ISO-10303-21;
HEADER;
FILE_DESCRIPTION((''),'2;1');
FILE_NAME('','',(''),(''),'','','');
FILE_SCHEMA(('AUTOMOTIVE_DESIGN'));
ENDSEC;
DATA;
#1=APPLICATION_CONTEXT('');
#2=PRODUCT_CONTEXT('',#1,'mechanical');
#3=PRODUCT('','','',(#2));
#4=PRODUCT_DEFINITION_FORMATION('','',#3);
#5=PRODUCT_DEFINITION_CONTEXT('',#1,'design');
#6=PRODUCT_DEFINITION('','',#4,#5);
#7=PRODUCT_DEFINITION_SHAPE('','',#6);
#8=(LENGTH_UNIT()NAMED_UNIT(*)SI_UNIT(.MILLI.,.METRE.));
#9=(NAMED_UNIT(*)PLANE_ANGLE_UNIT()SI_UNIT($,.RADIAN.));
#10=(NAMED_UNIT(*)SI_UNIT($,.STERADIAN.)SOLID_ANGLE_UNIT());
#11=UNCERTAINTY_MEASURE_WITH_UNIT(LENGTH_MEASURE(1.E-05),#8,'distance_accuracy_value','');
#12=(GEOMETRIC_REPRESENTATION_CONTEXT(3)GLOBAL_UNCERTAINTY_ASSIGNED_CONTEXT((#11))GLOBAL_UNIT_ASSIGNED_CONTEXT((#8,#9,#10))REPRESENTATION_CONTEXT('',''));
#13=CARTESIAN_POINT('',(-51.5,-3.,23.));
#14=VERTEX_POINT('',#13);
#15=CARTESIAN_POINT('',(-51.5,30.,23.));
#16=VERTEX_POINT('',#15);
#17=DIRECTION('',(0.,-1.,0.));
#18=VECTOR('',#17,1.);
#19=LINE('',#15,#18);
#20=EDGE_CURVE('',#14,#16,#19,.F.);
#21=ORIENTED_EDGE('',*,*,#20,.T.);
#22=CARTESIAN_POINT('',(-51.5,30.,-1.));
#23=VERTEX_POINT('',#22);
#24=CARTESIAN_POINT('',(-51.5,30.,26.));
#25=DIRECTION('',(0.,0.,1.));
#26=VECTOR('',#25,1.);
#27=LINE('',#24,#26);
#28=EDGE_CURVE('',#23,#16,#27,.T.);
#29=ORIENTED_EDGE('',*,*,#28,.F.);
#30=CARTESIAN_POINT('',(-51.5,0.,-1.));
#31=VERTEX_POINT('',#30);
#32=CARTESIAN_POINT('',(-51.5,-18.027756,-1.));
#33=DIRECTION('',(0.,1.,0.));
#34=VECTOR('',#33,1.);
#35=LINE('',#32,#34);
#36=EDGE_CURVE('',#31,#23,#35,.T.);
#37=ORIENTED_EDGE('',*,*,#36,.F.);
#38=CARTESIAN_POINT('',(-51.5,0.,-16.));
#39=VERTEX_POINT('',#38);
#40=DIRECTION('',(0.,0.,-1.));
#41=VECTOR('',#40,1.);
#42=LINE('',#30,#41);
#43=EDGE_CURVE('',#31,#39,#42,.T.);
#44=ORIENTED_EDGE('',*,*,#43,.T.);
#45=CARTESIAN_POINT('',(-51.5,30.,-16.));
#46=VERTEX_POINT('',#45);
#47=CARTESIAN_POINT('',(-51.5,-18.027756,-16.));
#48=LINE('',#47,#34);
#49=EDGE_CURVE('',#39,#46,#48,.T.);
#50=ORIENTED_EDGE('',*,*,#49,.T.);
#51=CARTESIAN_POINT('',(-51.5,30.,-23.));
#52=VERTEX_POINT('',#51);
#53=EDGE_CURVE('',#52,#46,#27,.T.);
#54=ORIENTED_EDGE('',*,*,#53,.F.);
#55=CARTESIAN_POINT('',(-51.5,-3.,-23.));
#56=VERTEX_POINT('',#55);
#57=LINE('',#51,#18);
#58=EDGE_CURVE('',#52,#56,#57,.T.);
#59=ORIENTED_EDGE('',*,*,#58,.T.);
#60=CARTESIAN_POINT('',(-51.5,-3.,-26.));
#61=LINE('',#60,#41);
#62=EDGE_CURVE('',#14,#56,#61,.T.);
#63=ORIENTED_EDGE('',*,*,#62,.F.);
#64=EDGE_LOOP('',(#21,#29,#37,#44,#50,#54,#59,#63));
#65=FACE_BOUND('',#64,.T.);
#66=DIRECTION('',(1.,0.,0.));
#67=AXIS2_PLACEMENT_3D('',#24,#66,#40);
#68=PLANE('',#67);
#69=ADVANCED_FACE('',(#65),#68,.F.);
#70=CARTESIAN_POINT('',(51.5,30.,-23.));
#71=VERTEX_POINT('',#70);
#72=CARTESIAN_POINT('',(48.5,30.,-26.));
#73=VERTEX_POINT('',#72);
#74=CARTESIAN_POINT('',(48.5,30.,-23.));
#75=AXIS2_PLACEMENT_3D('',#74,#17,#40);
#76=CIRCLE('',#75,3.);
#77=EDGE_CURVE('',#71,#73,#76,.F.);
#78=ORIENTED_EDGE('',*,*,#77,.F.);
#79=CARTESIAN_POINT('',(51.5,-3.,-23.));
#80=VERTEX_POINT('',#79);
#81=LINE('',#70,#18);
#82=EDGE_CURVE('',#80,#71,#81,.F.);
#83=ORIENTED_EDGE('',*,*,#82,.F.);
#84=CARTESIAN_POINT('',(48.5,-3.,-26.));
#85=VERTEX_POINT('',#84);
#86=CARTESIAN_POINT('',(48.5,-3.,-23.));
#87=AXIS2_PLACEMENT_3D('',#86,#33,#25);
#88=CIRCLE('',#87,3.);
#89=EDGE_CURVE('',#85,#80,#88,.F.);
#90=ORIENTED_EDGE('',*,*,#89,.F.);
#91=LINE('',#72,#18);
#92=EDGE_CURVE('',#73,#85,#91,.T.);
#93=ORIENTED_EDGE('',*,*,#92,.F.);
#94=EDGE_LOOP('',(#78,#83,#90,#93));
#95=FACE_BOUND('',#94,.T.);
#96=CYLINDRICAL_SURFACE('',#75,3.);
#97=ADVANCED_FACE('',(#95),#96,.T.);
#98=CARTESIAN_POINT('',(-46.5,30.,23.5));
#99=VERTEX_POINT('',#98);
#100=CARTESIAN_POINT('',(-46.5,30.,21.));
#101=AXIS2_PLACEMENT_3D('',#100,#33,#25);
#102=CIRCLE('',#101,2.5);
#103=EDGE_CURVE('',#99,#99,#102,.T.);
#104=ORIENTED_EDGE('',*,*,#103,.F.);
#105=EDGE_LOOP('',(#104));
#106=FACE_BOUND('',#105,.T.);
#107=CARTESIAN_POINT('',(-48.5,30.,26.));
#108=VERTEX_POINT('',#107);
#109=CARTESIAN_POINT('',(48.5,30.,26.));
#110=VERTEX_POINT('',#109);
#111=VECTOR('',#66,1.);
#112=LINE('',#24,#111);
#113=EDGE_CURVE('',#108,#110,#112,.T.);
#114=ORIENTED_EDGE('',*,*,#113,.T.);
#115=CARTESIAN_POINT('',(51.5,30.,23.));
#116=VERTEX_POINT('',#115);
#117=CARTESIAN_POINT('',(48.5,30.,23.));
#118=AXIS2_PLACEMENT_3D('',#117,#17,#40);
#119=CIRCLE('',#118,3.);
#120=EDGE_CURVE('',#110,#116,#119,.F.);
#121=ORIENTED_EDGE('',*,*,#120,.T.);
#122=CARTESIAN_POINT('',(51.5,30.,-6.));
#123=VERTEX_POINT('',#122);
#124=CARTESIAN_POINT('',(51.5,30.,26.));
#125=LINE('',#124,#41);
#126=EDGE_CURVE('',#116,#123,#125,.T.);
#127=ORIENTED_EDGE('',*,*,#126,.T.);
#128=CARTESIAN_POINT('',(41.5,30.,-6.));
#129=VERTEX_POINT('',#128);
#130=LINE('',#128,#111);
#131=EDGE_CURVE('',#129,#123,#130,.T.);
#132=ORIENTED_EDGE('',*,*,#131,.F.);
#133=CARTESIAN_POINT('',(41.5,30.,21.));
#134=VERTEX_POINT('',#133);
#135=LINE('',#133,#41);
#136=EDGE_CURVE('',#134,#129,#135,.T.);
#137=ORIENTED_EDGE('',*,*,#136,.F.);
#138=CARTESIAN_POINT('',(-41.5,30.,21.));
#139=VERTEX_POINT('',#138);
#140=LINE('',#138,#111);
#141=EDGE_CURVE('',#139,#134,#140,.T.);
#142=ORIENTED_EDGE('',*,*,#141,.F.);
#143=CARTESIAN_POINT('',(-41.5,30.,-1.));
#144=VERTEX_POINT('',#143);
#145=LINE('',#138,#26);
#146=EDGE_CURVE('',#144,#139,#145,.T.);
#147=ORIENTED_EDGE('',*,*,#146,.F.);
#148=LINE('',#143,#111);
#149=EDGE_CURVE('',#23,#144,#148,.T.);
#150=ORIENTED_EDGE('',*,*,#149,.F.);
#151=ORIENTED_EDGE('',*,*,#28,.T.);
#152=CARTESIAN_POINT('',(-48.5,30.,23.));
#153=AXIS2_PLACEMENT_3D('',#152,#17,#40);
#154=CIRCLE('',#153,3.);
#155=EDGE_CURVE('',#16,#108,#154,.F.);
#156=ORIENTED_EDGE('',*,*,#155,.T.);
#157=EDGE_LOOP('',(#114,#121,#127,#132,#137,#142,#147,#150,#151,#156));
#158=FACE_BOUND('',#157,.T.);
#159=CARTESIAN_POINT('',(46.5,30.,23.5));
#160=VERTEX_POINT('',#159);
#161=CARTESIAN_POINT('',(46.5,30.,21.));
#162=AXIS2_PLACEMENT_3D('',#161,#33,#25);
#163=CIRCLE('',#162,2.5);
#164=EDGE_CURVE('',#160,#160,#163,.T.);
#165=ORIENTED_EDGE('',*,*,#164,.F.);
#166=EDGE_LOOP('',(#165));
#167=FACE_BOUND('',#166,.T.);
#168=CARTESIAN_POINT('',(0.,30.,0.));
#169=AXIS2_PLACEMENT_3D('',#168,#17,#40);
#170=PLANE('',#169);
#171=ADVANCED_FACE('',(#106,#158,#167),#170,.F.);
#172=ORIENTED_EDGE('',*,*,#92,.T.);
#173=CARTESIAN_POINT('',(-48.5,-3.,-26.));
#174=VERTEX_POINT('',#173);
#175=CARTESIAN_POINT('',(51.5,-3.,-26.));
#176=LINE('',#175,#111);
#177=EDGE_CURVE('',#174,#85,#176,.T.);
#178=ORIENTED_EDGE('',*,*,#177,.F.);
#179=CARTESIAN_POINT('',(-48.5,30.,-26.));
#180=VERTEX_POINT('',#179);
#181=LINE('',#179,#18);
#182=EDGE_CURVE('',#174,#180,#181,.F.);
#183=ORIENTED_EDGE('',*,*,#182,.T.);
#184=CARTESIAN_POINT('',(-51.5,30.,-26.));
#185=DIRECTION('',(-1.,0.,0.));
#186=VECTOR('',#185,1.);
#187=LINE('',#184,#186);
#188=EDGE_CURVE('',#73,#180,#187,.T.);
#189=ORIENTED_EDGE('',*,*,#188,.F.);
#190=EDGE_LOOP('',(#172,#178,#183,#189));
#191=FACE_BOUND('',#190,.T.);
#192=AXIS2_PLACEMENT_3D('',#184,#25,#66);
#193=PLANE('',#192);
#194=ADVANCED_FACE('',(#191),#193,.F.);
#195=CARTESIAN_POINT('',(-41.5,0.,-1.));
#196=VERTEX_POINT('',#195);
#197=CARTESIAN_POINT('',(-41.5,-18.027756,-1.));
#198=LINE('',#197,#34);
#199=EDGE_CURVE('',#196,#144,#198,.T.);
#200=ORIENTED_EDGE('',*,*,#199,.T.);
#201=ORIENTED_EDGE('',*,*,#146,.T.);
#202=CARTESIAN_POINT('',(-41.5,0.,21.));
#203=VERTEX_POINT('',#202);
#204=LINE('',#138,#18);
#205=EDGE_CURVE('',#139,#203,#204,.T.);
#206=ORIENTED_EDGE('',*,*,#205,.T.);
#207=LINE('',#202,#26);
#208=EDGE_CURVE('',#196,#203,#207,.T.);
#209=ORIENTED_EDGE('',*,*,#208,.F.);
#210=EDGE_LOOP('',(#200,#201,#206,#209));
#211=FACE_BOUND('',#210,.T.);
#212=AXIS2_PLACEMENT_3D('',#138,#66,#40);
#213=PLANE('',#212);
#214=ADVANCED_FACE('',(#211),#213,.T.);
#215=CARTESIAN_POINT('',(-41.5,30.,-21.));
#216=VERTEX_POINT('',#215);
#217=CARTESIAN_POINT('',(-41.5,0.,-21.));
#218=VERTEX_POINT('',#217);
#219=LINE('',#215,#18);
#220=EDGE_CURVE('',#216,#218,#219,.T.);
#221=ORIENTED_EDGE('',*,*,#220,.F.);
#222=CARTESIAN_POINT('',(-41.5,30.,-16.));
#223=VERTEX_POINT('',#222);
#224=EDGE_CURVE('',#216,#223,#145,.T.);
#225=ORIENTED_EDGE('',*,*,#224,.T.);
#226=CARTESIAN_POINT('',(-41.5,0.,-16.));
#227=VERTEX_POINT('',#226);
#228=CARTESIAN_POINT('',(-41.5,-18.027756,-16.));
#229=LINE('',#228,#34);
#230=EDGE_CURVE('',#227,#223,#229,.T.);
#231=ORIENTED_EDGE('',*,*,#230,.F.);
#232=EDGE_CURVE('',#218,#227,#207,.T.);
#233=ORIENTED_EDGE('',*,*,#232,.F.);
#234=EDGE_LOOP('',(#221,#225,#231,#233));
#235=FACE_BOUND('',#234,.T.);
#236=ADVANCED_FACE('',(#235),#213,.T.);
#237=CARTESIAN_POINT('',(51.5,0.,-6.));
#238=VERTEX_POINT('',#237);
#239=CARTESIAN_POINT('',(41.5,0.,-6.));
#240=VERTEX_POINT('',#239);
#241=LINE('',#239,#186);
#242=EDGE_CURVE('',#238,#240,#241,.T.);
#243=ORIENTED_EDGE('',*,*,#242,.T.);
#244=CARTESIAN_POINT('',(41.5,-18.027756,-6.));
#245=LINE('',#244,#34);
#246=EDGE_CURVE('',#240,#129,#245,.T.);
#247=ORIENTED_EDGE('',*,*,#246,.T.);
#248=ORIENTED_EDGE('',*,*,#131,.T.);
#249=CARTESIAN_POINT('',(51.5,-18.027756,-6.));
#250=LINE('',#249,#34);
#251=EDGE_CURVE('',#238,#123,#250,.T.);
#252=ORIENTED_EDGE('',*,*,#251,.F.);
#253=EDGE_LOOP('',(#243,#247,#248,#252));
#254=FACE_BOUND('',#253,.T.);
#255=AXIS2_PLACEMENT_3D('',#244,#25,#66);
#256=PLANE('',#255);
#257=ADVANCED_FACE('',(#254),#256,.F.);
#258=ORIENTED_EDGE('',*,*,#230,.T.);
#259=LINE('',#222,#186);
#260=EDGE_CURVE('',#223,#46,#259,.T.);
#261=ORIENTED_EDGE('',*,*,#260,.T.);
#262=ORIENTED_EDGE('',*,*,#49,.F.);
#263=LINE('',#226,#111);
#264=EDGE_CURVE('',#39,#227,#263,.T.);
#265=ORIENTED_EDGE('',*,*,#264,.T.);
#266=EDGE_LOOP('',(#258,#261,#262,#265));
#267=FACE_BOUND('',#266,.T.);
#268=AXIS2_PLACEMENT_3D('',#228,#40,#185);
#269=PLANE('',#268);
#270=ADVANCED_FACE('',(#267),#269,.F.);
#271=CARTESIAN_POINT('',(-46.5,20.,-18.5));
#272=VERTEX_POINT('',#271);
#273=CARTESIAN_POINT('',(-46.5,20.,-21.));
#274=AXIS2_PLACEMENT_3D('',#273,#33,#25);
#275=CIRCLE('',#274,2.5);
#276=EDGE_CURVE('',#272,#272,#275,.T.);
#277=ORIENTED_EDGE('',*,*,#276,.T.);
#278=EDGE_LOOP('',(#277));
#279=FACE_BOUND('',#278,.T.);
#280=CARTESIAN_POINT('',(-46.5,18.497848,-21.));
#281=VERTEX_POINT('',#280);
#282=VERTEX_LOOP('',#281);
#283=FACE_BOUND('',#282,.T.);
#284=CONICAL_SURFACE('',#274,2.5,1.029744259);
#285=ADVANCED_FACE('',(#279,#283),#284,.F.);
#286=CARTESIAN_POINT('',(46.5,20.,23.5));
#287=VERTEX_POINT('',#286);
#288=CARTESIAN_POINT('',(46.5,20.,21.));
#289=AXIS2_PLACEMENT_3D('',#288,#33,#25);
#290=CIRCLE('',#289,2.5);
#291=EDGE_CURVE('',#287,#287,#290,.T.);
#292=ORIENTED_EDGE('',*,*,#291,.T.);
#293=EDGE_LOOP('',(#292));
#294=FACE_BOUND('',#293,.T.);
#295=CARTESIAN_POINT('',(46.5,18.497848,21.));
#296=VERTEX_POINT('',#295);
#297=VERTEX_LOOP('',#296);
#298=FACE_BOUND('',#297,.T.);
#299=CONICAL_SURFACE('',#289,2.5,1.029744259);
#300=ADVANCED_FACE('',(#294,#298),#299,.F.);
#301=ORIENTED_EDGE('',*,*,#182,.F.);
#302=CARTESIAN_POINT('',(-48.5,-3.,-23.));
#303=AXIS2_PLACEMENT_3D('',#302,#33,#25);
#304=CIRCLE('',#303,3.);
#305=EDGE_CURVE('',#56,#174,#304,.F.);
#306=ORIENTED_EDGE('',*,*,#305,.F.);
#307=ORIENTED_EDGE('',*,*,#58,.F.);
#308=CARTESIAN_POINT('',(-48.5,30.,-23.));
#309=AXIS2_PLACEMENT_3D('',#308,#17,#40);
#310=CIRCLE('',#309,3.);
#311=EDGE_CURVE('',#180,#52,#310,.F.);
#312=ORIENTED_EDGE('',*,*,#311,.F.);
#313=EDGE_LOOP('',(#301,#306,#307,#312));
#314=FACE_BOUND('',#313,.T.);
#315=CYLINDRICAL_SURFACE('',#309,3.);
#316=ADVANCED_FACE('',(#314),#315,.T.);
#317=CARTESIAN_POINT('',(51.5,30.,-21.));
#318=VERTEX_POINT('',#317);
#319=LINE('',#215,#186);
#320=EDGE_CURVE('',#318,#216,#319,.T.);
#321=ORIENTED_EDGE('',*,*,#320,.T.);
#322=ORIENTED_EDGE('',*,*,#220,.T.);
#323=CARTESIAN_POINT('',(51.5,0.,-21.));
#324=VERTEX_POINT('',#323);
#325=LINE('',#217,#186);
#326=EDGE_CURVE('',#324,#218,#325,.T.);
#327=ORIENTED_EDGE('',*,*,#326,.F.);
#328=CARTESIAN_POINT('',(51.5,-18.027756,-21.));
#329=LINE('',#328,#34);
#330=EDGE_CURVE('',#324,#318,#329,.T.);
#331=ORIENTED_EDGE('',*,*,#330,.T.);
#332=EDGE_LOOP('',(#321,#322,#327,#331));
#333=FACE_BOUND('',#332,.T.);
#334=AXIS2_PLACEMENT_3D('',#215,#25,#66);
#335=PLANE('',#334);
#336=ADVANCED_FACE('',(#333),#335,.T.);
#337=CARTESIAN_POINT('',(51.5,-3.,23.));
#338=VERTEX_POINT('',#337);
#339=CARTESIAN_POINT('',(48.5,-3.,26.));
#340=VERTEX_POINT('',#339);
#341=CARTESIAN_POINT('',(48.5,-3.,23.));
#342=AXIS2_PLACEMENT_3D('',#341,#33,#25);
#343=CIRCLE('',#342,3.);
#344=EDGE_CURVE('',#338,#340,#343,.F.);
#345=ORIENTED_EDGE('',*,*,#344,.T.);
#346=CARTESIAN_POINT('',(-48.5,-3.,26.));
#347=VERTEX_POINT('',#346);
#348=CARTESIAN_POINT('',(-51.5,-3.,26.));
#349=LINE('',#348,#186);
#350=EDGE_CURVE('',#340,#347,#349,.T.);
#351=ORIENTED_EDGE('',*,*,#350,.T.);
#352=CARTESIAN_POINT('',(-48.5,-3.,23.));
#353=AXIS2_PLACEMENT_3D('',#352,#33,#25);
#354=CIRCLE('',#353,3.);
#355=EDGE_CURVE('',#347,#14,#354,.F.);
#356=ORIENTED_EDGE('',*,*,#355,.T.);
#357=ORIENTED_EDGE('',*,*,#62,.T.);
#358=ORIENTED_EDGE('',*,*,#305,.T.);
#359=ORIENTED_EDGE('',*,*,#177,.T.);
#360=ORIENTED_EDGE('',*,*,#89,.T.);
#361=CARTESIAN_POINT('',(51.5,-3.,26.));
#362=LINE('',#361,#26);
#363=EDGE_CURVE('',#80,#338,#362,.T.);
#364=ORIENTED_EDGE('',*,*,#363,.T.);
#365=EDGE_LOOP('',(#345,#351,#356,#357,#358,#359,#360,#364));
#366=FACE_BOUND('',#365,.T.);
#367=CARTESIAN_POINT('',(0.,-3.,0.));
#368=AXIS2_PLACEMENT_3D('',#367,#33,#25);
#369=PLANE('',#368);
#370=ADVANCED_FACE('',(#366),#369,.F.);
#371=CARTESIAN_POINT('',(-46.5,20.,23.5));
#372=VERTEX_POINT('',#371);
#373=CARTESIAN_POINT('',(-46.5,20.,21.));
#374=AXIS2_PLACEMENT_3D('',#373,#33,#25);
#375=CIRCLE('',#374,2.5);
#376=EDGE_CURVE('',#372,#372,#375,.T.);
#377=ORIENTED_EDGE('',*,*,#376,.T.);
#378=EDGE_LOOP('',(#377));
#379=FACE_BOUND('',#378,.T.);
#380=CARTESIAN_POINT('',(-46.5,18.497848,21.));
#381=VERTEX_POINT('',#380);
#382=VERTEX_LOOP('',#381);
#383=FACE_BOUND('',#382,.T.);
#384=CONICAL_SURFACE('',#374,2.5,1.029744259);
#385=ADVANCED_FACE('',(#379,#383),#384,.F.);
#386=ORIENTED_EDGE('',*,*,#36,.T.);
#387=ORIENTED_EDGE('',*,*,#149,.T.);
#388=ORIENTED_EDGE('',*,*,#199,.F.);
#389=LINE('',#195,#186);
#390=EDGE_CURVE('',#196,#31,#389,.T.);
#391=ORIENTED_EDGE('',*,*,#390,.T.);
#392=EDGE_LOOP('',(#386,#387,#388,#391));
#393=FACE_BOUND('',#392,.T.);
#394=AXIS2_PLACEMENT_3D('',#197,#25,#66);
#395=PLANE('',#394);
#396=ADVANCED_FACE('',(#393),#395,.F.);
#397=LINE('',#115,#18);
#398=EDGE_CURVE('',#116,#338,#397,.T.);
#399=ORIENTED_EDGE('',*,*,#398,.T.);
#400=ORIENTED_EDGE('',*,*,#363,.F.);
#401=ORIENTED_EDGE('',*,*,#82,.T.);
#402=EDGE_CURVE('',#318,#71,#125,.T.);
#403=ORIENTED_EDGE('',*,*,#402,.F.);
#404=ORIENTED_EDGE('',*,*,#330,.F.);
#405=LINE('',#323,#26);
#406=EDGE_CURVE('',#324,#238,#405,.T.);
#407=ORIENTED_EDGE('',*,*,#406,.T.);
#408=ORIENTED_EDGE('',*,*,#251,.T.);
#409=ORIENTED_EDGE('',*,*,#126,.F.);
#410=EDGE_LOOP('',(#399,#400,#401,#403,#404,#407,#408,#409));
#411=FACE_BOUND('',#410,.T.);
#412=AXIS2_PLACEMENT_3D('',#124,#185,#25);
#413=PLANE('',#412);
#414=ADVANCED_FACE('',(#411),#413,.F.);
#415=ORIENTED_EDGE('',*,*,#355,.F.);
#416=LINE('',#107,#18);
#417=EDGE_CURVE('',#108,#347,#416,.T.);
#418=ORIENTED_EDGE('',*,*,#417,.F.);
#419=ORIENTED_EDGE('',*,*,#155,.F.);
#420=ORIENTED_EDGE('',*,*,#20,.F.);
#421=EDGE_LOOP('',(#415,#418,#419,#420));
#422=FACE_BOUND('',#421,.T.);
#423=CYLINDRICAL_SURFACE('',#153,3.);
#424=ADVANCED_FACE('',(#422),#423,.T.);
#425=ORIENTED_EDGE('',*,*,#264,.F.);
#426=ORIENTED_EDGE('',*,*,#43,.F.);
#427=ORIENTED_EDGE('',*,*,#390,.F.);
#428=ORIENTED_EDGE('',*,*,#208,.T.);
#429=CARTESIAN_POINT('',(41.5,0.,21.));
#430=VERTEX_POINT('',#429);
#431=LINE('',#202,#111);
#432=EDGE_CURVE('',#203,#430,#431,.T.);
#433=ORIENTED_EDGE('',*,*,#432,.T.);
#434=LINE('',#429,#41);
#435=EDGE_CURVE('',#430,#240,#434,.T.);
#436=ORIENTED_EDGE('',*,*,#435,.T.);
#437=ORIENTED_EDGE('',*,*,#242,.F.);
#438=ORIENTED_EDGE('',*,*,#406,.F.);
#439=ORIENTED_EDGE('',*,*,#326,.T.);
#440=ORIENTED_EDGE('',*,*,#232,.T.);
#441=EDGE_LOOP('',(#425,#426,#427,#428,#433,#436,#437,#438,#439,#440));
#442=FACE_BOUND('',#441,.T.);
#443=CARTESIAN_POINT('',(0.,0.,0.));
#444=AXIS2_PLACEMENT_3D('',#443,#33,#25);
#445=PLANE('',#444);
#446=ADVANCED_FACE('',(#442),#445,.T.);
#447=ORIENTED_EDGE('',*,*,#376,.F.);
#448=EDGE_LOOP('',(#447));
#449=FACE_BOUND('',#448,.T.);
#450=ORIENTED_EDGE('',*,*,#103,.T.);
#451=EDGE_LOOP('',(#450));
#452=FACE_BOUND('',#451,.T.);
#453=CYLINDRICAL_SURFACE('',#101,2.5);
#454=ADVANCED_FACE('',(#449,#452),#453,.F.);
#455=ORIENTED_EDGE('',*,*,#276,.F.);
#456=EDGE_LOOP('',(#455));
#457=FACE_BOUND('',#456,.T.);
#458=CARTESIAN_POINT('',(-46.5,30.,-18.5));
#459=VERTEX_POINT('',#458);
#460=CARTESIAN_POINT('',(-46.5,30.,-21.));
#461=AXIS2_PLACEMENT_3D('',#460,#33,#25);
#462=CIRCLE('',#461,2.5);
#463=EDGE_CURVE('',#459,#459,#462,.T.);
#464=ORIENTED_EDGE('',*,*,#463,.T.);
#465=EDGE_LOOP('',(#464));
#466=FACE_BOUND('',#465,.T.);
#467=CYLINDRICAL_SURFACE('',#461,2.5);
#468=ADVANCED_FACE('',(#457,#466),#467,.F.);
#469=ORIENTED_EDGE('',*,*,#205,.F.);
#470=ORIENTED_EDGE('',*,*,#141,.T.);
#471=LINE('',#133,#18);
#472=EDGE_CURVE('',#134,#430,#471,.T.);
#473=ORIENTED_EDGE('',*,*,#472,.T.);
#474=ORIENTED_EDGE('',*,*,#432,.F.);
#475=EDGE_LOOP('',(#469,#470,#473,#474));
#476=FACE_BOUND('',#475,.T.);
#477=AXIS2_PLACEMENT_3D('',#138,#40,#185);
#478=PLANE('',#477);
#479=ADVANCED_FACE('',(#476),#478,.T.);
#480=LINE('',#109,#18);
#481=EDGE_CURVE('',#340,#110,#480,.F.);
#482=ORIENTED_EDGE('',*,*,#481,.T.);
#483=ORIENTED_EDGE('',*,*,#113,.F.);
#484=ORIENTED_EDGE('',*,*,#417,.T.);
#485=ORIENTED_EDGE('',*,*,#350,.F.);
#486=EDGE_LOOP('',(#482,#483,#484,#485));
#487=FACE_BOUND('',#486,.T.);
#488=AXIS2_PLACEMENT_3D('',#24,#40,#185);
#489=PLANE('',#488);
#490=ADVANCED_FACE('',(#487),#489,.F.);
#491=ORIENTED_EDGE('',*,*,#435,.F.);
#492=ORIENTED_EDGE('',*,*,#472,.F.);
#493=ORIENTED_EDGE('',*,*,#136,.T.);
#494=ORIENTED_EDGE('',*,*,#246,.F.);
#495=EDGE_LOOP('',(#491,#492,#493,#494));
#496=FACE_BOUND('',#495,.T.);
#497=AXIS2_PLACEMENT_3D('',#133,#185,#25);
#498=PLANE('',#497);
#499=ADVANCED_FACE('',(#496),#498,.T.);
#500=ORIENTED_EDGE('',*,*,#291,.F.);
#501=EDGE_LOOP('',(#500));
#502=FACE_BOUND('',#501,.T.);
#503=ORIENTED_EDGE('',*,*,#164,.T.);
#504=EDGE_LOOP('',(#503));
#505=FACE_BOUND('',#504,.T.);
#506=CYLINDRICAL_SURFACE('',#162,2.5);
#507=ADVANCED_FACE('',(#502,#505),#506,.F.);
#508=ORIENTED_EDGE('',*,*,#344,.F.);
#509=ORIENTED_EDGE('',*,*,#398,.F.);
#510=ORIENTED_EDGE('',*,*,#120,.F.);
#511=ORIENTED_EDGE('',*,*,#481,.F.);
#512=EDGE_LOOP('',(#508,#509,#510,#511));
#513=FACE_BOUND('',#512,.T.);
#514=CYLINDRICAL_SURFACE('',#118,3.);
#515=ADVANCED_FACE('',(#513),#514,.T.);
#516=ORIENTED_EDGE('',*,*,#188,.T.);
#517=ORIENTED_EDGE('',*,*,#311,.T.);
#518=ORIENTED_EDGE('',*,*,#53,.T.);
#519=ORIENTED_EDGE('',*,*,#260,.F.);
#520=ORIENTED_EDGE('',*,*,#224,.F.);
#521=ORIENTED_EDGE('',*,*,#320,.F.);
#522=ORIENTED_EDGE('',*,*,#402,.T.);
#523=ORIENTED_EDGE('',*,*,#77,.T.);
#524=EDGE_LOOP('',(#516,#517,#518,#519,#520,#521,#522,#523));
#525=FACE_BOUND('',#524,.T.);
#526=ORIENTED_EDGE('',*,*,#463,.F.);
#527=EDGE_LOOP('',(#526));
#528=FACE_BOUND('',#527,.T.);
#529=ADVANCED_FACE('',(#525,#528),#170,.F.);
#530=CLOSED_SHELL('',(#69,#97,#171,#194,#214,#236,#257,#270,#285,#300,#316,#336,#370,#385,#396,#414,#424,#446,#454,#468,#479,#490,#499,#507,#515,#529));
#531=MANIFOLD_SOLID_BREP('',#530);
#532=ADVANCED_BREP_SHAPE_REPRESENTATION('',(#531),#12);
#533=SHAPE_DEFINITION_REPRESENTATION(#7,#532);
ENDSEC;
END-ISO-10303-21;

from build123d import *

# Parameters (mm, degrees)
SKETCH1_W                 = 103
SKETCH1_H                 = 52
SKETCH1_W_2               = 83
SKETCH1_H_2               = 42
BOSS_EXTRUDE1_DEPTH       = 30
SKETCH2_W                 = 103
SKETCH2_H                 = 52
BOSS_EXTRUDE2_DEPTH       = 3
SKETCH3_W                 = 10
SKETCH3_H                 = 15
CUT_EXTRUDE1_DEPTH        = 30
F_5_0MM_DOWEL_HOLE1_D     = 5
F_5_0MM_DOWEL_HOLE1_DEPTH = 10
F_5_0MM_DOWEL_HOLE1_TIP   = 1.502151548
FILLET1_R                 = 3


with BuildPart() as part:
    # Sketch1 → Boss-Extrude1 (new body)
    with BuildSketch(Plane(origin=(0, 0, 0), x_dir=(1, 0, 0), z_dir=(0, 1, 0))):
        Rectangle(SKETCH1_W, SKETCH1_H)
        Rectangle(SKETCH1_W_2, SKETCH1_H_2, mode=Mode.SUBTRACT)
    extrude(amount=BOSS_EXTRUDE1_DEPTH)

    # Sketch2 → Boss-Extrude2 (add)
    with BuildSketch(Plane.XZ):
        Rectangle(SKETCH2_W, SKETCH2_H)
    extrude(amount=BOSS_EXTRUDE2_DEPTH)

    # Sketch3 → Cut-Extrude1 (cut)
    with BuildSketch(Plane(origin=(0, 30, 0), x_dir=(1, 0, 0), z_dir=(0, 1, 0))):
        with Locations((46.5, 13.5)):
            Rectangle(SKETCH3_W, SKETCH3_H)
        with Locations((-46.5, 8.5)):
            Rectangle(SKETCH3_W, SKETCH3_H)
    extrude(amount=-CUT_EXTRUDE1_DEPTH, mode=Mode.SUBTRACT)

    # Ø5.0mm Dowel Hole1
    with Locations(Plane(origin=(0, 30, 0), x_dir=(1, 0, 0), z_dir=(0, 1, 0))):
        with Locations((-46.5, 21), (46.5, -21), (-46.5, -21)):
            Hole(F_5_0MM_DOWEL_HOLE1_D / 2, depth=F_5_0MM_DOWEL_HOLE1_DEPTH)
            with Locations((0, 0, -(F_5_0MM_DOWEL_HOLE1_DEPTH + F_5_0MM_DOWEL_HOLE1_TIP / 2))):  # 118° drill point
                Cone(0, F_5_0MM_DOWEL_HOLE1_D / 2, F_5_0MM_DOWEL_HOLE1_TIP, mode=Mode.SUBTRACT)

    # Fillet1
    fillet1_edges = [part.edges().sort_by_distance(p)[0] for p in [
        (51.5, 13.5, 26),
        (-51.5, 13.5, 26),
        (-51.5, 13.5, -26),
        (51.5, 13.5, -26),
    ]]
    fillet(fillet1_edges, radius=FILLET1_R)


solid = part.part
